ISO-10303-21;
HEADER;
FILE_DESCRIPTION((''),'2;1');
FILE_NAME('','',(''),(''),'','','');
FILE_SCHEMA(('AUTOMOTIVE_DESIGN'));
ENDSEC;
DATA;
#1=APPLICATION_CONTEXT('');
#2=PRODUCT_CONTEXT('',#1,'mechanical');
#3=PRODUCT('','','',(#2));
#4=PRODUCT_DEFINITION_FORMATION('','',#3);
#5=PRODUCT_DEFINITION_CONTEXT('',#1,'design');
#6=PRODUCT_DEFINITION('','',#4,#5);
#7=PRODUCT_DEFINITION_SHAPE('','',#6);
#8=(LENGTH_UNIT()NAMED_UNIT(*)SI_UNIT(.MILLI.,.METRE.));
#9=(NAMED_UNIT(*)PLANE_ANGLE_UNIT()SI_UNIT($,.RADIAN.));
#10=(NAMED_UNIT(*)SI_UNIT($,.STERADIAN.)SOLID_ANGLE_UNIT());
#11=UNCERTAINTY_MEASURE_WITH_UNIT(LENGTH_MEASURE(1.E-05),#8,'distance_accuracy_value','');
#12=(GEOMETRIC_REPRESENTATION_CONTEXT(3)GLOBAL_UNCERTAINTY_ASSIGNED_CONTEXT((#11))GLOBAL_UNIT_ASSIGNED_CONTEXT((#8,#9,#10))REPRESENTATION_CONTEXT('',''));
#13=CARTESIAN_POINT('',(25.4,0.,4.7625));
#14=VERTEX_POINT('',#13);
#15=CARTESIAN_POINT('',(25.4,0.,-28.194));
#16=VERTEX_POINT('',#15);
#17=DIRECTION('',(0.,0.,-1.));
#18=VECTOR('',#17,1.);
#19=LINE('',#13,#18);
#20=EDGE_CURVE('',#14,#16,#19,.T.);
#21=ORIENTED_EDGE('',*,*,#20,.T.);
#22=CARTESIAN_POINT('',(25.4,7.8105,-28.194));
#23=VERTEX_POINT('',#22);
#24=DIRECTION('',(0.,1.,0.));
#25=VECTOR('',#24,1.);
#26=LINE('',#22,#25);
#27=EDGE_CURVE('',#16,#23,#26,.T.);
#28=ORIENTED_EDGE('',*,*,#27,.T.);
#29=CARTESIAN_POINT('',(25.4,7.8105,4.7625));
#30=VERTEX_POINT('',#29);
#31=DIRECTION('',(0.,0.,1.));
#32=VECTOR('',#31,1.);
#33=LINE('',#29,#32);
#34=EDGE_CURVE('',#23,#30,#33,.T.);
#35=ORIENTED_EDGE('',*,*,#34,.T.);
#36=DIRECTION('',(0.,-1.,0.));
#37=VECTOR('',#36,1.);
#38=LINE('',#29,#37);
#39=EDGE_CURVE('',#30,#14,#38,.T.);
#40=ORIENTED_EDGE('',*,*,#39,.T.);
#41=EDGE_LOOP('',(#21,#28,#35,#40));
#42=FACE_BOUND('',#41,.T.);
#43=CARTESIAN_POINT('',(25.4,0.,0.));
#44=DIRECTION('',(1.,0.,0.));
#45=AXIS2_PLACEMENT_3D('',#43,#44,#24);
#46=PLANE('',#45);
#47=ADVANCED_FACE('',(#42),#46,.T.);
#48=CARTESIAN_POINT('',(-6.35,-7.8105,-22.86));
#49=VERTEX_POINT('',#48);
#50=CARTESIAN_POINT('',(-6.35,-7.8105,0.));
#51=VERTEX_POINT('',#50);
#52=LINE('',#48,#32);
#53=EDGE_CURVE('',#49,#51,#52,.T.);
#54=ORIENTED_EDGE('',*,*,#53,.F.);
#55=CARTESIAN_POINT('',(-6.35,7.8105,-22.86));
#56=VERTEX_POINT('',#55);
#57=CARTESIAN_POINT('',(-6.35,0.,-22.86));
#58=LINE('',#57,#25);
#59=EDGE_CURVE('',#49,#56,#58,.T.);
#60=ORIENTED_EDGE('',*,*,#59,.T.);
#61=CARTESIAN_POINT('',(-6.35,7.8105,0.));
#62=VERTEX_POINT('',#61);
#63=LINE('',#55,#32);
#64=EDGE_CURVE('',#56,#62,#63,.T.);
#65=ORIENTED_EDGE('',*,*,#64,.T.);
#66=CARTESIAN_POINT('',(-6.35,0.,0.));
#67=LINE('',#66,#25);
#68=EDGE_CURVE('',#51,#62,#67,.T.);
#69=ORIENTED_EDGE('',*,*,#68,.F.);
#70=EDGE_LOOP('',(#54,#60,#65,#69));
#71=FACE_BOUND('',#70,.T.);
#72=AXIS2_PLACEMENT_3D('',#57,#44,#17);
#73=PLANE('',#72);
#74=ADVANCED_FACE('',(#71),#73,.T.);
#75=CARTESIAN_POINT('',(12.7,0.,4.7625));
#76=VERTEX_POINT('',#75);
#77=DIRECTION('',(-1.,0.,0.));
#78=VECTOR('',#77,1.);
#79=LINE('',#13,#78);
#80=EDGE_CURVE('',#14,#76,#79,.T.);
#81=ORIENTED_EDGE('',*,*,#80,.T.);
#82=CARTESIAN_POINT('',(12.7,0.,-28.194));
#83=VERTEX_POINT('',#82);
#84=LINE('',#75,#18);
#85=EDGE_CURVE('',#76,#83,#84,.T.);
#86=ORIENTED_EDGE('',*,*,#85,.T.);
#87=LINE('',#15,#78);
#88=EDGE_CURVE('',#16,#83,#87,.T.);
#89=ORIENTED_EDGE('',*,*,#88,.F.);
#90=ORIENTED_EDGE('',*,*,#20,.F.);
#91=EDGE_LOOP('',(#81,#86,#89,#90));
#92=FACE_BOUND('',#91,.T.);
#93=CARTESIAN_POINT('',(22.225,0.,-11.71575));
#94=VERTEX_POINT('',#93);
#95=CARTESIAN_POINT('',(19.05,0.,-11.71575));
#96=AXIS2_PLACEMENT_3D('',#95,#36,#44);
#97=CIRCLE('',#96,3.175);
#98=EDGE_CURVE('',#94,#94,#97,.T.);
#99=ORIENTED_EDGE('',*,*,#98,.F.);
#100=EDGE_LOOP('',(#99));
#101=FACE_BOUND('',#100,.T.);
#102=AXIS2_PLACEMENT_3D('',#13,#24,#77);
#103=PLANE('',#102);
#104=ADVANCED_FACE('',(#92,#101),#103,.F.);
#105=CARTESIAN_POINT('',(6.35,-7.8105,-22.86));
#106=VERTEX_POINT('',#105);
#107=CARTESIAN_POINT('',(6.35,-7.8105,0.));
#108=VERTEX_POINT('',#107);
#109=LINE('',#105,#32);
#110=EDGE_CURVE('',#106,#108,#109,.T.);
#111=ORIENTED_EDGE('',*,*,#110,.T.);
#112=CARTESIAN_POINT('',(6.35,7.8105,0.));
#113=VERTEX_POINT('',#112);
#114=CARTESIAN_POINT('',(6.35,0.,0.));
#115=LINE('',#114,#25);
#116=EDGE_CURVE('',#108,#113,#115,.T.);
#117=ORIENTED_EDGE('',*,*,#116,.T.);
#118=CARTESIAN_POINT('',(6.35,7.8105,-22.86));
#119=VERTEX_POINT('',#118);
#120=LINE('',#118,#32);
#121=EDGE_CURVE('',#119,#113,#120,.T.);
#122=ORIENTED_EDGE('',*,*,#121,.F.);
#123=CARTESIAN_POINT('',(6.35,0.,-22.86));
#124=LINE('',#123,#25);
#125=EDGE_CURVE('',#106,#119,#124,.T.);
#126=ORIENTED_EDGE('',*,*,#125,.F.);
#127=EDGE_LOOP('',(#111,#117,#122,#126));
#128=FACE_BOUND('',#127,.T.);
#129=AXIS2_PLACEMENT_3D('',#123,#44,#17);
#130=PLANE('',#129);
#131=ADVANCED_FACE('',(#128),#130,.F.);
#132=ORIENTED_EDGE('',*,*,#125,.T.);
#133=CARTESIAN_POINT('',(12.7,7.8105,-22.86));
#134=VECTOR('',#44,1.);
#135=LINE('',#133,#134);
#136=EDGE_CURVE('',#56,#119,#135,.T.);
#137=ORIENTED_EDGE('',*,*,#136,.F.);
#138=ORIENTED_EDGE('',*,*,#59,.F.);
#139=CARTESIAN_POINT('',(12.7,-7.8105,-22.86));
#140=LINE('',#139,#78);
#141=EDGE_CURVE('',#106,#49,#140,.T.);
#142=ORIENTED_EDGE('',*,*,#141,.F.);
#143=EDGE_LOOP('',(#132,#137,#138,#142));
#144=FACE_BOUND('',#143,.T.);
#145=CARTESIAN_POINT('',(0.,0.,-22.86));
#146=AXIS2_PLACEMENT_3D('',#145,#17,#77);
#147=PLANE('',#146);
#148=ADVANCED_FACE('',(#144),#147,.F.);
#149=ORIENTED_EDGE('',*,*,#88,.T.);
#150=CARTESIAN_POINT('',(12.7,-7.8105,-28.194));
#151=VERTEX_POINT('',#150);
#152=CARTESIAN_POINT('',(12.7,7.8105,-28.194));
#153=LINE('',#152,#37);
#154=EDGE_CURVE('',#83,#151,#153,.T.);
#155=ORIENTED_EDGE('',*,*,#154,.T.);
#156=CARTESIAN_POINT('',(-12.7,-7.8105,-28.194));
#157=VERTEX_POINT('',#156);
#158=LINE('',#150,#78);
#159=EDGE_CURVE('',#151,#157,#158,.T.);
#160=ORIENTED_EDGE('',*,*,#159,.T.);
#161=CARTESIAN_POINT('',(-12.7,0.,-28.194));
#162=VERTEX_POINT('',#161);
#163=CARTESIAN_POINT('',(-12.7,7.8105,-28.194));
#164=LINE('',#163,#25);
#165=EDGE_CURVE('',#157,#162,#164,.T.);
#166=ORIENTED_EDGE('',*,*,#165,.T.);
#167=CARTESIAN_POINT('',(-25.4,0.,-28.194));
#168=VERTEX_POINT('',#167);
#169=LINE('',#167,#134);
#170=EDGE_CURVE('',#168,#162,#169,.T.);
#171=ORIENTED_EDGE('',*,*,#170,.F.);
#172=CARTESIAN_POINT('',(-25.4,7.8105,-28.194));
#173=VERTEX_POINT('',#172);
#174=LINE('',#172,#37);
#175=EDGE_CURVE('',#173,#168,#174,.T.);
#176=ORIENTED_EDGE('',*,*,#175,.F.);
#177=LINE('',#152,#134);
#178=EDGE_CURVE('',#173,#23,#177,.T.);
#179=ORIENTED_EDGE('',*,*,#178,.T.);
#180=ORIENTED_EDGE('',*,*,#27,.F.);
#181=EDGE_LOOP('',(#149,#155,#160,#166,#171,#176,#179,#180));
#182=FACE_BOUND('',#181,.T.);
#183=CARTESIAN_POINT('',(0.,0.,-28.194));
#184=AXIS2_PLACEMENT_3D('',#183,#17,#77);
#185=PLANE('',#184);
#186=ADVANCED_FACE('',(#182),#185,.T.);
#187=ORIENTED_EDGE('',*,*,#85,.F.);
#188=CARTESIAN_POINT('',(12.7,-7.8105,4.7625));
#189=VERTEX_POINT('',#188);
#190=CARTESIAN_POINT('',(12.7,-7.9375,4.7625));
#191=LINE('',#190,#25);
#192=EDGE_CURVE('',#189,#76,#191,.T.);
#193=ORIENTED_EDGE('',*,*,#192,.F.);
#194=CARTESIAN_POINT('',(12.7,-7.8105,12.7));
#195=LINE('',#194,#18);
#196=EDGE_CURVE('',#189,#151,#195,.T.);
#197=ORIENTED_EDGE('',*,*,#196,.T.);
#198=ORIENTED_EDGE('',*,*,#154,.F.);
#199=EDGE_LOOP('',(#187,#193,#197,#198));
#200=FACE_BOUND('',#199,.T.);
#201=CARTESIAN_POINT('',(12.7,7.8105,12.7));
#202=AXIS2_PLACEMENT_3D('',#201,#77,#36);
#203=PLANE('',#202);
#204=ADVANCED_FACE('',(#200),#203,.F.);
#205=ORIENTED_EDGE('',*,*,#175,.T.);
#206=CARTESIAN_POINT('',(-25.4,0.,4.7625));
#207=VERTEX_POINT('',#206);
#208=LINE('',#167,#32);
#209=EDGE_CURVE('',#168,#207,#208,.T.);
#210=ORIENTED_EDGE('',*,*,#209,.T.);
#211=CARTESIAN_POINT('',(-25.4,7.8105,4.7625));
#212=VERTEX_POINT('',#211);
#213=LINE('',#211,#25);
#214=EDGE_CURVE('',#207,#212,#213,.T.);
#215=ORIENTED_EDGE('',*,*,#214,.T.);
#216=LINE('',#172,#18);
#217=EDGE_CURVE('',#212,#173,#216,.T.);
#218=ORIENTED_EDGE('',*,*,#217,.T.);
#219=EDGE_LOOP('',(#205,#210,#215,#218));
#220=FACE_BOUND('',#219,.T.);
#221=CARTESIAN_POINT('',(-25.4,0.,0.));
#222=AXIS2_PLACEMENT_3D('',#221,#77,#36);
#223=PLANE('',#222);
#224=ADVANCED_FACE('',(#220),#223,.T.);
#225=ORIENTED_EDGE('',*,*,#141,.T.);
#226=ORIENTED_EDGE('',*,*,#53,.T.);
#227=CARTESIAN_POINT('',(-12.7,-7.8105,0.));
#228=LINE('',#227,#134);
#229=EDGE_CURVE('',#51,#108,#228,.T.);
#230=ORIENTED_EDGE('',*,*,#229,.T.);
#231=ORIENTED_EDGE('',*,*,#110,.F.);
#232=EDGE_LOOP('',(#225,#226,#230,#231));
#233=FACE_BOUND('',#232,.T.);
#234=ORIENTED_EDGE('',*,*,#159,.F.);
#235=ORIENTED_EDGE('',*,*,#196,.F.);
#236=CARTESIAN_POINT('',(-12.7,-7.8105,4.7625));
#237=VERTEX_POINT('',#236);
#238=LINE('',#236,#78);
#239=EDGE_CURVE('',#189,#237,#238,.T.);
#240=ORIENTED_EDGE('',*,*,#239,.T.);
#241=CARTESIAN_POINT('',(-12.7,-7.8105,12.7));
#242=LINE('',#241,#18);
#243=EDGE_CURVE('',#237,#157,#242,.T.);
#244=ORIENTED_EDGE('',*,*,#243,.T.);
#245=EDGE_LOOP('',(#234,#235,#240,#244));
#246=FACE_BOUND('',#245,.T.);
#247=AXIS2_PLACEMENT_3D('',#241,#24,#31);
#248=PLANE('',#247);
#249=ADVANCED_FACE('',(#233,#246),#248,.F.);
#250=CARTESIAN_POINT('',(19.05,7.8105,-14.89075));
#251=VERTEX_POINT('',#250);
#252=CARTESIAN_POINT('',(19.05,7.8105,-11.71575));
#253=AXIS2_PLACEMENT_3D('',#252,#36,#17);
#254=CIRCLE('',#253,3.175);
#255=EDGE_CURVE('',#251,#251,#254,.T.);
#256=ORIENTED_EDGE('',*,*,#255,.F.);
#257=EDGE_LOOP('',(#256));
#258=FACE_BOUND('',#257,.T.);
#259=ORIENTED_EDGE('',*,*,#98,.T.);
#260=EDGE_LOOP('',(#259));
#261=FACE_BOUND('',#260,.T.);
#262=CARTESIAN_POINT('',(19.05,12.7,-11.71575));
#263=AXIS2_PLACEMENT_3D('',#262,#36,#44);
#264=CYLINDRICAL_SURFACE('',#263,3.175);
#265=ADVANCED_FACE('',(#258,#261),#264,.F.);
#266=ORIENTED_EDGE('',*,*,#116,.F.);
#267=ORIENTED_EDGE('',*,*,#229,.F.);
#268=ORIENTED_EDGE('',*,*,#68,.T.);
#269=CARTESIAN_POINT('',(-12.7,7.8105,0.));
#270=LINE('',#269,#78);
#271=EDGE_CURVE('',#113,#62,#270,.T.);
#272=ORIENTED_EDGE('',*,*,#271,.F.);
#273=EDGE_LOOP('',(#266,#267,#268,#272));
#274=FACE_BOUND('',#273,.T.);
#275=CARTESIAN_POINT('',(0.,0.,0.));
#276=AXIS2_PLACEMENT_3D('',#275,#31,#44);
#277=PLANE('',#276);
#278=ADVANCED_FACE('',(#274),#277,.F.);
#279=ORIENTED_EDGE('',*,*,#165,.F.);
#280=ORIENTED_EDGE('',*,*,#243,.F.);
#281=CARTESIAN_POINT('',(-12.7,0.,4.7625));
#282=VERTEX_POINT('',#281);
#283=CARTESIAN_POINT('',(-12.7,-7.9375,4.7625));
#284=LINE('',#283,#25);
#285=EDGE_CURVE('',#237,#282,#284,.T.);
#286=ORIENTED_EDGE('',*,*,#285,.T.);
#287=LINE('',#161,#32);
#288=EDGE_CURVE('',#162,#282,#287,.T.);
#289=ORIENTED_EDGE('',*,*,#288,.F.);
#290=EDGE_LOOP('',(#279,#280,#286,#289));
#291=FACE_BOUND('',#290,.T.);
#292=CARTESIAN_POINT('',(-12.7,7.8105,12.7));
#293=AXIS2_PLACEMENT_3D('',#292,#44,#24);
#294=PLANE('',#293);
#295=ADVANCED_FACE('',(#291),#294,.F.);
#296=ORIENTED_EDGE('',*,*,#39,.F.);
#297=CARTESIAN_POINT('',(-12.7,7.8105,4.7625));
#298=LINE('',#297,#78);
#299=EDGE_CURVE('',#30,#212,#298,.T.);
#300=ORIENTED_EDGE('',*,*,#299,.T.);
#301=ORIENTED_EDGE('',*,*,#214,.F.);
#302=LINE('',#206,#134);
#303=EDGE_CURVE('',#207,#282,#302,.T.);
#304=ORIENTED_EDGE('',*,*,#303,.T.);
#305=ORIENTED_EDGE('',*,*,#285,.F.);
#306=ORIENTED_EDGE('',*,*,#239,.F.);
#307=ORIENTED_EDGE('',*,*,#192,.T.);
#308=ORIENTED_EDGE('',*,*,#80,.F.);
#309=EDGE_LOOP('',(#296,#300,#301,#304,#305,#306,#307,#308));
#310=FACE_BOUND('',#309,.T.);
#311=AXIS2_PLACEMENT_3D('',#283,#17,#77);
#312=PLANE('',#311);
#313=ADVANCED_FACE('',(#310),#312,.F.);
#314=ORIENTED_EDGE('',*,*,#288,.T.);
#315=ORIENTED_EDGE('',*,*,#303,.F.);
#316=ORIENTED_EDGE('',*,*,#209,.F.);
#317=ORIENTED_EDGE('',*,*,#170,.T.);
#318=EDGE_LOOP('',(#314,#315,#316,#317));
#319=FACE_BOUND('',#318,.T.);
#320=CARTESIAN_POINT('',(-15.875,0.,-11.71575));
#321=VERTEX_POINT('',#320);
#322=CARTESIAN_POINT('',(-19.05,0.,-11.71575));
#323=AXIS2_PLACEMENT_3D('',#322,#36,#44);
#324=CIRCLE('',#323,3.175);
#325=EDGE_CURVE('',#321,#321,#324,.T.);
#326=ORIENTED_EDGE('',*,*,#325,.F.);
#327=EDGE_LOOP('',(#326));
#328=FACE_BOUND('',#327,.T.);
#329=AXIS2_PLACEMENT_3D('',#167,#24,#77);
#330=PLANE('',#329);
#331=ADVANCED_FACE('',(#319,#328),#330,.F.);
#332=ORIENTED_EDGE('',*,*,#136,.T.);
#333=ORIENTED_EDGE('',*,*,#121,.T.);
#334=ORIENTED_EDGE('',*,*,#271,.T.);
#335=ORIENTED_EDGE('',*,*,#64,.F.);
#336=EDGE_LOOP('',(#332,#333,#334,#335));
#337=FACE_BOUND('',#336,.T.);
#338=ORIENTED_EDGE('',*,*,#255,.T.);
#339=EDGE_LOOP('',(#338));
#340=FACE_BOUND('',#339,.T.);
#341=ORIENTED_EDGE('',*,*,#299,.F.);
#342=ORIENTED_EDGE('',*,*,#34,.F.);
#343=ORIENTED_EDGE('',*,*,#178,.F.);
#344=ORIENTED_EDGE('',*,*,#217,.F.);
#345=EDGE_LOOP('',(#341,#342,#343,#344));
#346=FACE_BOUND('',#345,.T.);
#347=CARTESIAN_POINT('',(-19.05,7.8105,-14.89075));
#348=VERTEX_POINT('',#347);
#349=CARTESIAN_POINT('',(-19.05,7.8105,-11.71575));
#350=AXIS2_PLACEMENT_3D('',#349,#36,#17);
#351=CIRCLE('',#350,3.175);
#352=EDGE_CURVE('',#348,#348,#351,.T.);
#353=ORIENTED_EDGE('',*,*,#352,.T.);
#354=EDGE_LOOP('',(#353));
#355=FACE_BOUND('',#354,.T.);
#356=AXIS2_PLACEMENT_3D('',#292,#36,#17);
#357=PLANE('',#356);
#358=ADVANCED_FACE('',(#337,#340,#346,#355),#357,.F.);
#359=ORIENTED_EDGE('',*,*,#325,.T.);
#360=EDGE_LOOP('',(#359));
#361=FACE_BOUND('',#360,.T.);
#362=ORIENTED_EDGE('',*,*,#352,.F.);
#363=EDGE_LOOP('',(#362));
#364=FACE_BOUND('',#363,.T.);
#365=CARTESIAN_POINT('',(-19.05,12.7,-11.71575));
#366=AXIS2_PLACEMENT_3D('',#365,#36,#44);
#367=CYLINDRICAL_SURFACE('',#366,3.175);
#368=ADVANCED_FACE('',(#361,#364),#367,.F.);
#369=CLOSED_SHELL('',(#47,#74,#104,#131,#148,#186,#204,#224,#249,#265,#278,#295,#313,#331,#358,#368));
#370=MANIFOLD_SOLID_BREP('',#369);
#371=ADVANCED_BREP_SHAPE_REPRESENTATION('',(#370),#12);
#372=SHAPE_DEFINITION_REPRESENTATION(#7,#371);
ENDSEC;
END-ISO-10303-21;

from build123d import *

# Parameters (mm, degrees)
SKETCH1_W           = 25.4
SKETCH1_H           = 15.621
BOSS_EXTRUDE1_DEPTH = 12.7
SKETCH4_W           = 6.35
SKETCH4_H           = 15.621
BOSS_EXTRUDE4_DEPTH = 22.86
SKETCH5_W           = 25.4
SKETCH5_H           = 7.9375
CUT_EXTRUDE1_DEPTH  = 15.748
SKETCH6_W           = 25.4
SKETCH6_H           = 15.621
BOSS_EXTRUDE5_DEPTH = 5.334
SKETCH7_W           = 32.9565
SKETCH7_H           = 7.8105
BOSS_EXTRUDE6_DEPTH = 12.7
SKETCH8_W           = 32.9565
SKETCH8_H           = 7.8105
BOSS_EXTRUDE7_DEPTH = 12.7
SKETCH9_R           = 3.175
CUT_EXTRUDE2_DEPTH  = 12.7


with BuildPart() as part:
    # Sketch1 → Boss-Extrude1 (new body)
    with BuildSketch(Plane.XY):
        Rectangle(SKETCH1_W, SKETCH1_H)
    extrude(amount=BOSS_EXTRUDE1_DEPTH)

    # Sketch4 → Boss-Extrude4 (add)
    with BuildSketch(Plane(origin=(0, 0, 0), x_dir=(-1, 0, 0), z_dir=(0, 0, -1))):
        with Locations((9.525, 0)):
            Rectangle(SKETCH4_W, SKETCH4_H)
        with Locations((-9.525, 0)):
            Rectangle(SKETCH4_W, SKETCH4_H)
    extrude(amount=BOSS_EXTRUDE4_DEPTH)

    # Sketch5 → Cut-Extrude1 (cut)
    with BuildSketch(Plane(origin=(0, 7.8105, 0), x_dir=(1, 0, 0), z_dir=(0, 1, 0))):
        with Locations((0, -8.73125)):
            Rectangle(SKETCH5_W, SKETCH5_H)
    extrude(amount=-CUT_EXTRUDE1_DEPTH, mode=Mode.SUBTRACT)

    # Sketch6 → Boss-Extrude5 (add)
    with BuildSketch(Plane(origin=(0, 0, -22.86), x_dir=(-1, 0, 0), z_dir=(0, 0, -1))):
        Rectangle(SKETCH6_W, SKETCH6_H)
    extrude(amount=BOSS_EXTRUDE5_DEPTH)

    # Sketch7 → Boss-Extrude6 (add)
    with BuildSketch(Plane.ZY.offset(12.7)):
        with Locations((-11.71575, 3.90525)):
            Rectangle(SKETCH7_W, SKETCH7_H)
    extrude(amount=BOSS_EXTRUDE6_DEPTH)

    # Sketch8 → Boss-Extrude7 (add)
    with BuildSketch(Plane(origin=(12.7, 0, 0), x_dir=(0, 0, -1), z_dir=(1, 0, 0))):
        with Locations((11.71575, 3.90525)):
            Rectangle(SKETCH8_W, SKETCH8_H)
    extrude(amount=BOSS_EXTRUDE7_DEPTH)

    # Sketch9 → Cut-Extrude2 (cut)
    with BuildSketch(Plane.XZ):
        with Locations((-19.05, -11.71575)):
            Circle(SKETCH9_R)
        with Locations((19.05, -11.71575)):
            Circle(SKETCH9_R)
    extrude(amount=-CUT_EXTRUDE2_DEPTH, mode=Mode.SUBTRACT)


solid = part.part
